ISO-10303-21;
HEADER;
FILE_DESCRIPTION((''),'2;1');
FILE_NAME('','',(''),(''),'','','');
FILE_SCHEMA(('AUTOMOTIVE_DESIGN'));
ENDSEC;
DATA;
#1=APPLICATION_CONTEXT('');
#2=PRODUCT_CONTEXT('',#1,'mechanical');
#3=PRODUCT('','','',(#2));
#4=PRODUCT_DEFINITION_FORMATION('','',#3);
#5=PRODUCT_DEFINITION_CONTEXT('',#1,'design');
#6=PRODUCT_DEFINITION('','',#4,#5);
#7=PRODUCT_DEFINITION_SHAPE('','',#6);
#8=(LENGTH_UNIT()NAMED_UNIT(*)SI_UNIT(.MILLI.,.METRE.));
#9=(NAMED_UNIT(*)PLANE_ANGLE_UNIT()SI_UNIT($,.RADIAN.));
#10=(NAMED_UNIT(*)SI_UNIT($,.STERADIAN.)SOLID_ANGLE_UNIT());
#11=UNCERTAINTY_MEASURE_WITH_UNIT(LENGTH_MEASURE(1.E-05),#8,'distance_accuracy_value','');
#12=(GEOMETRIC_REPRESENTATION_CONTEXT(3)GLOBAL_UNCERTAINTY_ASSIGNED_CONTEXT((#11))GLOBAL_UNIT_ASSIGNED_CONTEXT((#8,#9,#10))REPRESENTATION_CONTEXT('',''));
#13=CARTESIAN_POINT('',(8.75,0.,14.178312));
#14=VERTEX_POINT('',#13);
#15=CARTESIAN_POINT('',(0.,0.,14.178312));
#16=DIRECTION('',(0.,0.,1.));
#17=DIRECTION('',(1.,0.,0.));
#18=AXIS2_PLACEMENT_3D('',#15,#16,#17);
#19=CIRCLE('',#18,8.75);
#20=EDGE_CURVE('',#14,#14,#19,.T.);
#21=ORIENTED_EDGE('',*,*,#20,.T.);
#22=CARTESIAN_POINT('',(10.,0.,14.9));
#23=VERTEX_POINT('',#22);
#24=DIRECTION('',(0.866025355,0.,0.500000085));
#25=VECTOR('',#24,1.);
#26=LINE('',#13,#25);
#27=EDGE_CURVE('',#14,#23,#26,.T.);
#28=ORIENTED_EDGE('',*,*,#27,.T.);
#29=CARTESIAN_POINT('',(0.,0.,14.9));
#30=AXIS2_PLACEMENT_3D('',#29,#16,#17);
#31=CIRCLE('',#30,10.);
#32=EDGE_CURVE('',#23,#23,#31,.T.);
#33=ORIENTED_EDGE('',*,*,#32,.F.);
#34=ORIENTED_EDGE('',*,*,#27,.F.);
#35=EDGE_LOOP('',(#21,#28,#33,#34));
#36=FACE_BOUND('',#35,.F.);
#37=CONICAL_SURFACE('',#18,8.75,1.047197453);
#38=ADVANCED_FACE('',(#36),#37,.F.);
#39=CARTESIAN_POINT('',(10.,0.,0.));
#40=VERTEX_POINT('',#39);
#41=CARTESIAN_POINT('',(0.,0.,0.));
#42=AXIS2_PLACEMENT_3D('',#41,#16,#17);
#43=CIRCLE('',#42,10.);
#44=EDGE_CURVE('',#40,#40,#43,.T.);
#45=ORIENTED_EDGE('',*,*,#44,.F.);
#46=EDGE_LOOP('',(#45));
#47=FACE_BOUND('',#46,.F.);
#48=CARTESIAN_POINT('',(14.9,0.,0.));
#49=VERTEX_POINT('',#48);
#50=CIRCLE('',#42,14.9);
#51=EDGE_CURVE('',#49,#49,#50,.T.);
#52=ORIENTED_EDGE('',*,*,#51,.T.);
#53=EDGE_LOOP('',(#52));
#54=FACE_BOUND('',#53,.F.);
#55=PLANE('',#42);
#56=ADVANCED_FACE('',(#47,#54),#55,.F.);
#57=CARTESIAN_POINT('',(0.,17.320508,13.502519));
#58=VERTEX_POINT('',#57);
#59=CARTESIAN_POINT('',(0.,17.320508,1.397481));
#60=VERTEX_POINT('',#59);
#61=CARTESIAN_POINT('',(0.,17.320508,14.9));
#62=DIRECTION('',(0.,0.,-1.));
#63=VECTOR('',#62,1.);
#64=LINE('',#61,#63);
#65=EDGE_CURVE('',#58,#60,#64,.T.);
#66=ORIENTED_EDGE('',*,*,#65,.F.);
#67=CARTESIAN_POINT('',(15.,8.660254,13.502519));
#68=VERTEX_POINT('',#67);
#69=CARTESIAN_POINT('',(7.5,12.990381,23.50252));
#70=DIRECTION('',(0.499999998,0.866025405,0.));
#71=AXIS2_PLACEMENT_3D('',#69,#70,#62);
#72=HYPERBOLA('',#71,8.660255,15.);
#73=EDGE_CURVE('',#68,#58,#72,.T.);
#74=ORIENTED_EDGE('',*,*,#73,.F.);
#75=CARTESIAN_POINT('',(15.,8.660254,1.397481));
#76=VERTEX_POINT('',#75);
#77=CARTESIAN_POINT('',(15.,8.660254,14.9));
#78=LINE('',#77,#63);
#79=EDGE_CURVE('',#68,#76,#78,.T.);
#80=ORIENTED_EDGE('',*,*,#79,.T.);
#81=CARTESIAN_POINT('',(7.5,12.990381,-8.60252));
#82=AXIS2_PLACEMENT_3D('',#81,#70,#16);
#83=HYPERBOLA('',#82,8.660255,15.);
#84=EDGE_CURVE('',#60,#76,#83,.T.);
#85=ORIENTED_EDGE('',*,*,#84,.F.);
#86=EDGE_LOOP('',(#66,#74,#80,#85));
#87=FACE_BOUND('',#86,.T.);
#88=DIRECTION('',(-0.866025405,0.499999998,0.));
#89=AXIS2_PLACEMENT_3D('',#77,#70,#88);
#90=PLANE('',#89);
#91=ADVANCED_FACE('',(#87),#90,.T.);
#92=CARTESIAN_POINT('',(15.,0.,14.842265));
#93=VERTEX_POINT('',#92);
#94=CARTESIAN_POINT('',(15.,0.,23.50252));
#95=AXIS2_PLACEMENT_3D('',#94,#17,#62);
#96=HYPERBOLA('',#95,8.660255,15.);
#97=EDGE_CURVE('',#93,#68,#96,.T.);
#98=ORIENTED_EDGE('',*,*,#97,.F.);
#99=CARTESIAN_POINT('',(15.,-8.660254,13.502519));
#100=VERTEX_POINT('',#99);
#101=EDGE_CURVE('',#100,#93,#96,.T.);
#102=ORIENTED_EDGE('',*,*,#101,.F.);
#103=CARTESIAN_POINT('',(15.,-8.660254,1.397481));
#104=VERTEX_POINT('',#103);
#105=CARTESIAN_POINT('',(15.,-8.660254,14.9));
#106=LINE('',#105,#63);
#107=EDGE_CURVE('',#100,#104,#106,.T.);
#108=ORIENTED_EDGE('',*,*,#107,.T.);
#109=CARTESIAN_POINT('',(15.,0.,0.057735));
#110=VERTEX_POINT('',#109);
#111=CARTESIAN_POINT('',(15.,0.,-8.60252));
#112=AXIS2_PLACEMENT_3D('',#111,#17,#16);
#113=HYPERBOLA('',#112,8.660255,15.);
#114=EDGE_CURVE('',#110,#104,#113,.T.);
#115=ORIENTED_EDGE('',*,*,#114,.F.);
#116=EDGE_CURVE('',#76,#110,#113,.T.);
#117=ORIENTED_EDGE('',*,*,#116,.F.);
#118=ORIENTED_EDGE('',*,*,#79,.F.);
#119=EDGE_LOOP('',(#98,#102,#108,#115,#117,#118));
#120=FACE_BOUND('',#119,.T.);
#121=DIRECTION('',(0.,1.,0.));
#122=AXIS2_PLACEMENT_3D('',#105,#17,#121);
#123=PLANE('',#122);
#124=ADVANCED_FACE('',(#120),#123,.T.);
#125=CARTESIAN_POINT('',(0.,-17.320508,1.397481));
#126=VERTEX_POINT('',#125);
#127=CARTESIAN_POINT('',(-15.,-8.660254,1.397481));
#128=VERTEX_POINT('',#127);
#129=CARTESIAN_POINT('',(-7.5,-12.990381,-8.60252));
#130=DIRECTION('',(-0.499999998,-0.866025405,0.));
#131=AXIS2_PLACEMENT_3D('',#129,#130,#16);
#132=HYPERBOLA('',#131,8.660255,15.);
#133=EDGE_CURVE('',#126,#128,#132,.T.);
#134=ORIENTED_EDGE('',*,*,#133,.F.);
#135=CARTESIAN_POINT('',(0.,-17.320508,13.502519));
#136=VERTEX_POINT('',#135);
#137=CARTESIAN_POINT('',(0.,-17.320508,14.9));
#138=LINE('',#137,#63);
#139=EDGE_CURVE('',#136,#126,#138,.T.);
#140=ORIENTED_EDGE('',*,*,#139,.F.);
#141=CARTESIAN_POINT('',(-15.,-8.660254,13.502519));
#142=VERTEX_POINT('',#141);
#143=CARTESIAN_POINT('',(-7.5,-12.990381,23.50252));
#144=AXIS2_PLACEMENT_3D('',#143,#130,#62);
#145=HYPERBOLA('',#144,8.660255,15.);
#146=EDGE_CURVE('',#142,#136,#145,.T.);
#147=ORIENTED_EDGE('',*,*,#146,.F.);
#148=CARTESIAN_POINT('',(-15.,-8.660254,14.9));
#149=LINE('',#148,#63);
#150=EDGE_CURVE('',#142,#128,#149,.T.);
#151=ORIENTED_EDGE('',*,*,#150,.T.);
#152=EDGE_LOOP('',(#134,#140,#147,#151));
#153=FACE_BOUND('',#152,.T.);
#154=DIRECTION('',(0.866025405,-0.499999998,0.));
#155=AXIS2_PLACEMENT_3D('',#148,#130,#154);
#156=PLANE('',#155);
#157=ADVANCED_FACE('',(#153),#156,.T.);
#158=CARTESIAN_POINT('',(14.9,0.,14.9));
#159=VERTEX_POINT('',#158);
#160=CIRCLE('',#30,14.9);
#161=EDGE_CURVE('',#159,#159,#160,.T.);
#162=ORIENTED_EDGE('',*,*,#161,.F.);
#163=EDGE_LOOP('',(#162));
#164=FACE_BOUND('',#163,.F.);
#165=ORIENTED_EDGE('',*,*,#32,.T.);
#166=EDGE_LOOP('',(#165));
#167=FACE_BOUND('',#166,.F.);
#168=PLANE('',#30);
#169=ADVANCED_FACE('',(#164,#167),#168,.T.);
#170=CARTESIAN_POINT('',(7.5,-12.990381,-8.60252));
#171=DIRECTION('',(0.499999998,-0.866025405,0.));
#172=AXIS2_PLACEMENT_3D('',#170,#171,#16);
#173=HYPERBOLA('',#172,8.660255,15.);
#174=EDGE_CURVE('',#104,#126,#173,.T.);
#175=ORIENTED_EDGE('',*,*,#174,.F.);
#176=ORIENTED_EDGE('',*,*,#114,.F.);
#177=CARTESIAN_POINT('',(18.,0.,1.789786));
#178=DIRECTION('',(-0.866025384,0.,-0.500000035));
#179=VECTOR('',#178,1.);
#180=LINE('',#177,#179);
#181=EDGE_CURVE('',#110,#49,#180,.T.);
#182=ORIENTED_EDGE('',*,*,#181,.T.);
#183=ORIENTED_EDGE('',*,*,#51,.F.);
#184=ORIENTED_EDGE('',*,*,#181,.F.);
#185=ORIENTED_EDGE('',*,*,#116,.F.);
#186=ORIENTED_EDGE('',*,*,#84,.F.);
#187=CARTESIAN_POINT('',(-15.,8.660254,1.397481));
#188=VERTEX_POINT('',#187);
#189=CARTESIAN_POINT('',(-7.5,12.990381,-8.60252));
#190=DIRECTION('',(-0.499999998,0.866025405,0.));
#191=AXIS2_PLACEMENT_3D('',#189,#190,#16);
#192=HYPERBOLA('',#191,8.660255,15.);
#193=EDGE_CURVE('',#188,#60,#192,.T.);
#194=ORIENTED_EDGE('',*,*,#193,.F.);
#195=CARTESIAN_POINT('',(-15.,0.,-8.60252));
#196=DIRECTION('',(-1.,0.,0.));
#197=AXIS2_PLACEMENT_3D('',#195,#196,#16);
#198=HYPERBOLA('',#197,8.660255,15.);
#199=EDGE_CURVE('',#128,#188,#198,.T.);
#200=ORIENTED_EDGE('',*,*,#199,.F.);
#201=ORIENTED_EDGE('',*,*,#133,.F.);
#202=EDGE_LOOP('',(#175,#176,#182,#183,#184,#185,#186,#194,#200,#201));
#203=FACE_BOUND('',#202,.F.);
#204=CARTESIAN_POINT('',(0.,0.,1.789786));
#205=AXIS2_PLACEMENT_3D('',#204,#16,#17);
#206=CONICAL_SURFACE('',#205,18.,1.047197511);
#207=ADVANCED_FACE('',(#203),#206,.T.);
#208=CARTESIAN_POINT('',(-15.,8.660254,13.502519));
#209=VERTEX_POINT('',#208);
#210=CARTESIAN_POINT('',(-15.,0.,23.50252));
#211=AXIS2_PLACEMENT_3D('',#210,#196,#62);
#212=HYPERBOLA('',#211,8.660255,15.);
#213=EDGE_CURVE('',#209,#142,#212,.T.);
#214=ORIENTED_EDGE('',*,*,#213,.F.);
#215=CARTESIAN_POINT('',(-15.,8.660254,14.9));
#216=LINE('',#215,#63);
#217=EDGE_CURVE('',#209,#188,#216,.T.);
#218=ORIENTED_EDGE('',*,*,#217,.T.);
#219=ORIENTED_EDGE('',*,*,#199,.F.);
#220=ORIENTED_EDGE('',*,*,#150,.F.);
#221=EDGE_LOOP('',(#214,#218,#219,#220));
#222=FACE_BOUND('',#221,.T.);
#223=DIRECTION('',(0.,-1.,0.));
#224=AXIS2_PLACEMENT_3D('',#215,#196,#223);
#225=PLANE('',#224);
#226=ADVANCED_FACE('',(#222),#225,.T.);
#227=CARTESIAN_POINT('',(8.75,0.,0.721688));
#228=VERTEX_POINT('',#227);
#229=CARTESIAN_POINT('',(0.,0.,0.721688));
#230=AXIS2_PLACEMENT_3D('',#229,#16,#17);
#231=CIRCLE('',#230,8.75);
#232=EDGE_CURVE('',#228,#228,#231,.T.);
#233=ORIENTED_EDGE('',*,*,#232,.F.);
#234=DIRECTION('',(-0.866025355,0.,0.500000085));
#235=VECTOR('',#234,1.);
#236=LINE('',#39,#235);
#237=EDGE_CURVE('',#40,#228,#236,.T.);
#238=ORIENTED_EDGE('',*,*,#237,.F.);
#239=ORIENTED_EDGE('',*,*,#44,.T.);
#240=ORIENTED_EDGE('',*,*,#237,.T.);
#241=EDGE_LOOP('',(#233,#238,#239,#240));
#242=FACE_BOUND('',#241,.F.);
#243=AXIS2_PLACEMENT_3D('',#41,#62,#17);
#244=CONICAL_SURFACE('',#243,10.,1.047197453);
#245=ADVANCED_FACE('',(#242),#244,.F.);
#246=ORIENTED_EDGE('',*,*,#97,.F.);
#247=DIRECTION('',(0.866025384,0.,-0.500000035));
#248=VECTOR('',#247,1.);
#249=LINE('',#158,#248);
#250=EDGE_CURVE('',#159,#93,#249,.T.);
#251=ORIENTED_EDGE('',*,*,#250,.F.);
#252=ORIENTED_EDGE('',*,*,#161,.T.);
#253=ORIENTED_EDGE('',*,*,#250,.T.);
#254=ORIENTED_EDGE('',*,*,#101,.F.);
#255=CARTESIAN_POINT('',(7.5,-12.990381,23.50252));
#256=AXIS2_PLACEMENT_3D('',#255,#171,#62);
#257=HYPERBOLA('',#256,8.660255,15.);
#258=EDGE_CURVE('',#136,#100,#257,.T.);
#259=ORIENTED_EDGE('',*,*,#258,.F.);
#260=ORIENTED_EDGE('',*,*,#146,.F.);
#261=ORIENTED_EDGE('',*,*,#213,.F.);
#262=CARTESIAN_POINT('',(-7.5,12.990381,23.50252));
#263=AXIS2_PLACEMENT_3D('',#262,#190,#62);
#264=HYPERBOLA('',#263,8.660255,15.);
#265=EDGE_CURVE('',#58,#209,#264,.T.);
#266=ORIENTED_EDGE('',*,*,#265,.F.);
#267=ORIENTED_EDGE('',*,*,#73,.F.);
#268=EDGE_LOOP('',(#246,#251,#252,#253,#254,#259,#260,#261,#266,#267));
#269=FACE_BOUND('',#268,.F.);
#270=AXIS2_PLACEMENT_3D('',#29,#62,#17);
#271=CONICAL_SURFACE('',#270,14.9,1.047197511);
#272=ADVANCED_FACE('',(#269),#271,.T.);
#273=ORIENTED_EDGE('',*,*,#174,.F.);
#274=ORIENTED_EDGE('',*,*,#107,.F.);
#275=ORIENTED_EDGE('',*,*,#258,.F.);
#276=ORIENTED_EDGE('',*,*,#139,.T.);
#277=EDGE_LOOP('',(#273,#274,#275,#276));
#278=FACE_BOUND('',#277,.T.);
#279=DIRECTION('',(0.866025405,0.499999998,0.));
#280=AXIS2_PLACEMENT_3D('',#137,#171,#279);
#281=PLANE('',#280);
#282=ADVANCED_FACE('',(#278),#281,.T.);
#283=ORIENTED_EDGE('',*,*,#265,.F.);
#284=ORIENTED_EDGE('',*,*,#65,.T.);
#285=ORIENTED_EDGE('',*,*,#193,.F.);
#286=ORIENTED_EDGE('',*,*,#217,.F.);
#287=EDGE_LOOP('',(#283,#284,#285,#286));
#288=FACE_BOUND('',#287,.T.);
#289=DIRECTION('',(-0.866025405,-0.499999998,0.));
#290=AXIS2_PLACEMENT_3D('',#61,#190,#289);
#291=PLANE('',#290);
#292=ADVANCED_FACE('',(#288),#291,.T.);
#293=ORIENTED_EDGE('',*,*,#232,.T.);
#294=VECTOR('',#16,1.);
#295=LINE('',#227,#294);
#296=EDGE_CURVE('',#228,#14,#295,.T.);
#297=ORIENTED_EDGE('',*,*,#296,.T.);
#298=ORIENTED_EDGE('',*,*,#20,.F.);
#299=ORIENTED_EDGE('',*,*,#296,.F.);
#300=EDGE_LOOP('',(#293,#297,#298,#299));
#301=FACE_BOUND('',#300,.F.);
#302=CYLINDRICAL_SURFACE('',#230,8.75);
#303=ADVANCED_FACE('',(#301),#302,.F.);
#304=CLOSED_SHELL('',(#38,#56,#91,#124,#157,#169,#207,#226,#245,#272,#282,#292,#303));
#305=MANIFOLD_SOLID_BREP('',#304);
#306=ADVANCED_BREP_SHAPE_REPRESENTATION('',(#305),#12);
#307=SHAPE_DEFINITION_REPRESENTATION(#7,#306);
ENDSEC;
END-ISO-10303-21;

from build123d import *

# Parameters (mm, degrees)
SKETCH001_R  = 18
POCKET_DEPTH = 14.9


with BuildPart() as part:
    # Sketch → Revolution (revolve)
    with BuildSketch(Plane.XZ):
        Polygon((10, 0), (8.75, 0.721688), (8.75, 14.178312), (10, 14.9), (14.9, 14.9), (18, 13.110214), (18, 1.789786), (14.9, 0), align=None)
    revolve(axis=Axis((0, 0, 0), (0, 0, 1)))

    # Sketch001 → Pocket (cut)
    with BuildSketch(Plane(origin=(0, 0, 14.9), x_dir=(-1, 0, 0), z_dir=(0, 0, 1))):
        Circle(SKETCH001_R)
        Polygon((-15, 8.660254), (-15, -8.660254), (0, -17.320508), (15, -8.660254), (15, 8.660254), (0, 17.320508), align=None, mode=Mode.SUBTRACT)
    extrude(amount=-POCKET_DEPTH, mode=Mode.SUBTRACT)


solid = part.part
